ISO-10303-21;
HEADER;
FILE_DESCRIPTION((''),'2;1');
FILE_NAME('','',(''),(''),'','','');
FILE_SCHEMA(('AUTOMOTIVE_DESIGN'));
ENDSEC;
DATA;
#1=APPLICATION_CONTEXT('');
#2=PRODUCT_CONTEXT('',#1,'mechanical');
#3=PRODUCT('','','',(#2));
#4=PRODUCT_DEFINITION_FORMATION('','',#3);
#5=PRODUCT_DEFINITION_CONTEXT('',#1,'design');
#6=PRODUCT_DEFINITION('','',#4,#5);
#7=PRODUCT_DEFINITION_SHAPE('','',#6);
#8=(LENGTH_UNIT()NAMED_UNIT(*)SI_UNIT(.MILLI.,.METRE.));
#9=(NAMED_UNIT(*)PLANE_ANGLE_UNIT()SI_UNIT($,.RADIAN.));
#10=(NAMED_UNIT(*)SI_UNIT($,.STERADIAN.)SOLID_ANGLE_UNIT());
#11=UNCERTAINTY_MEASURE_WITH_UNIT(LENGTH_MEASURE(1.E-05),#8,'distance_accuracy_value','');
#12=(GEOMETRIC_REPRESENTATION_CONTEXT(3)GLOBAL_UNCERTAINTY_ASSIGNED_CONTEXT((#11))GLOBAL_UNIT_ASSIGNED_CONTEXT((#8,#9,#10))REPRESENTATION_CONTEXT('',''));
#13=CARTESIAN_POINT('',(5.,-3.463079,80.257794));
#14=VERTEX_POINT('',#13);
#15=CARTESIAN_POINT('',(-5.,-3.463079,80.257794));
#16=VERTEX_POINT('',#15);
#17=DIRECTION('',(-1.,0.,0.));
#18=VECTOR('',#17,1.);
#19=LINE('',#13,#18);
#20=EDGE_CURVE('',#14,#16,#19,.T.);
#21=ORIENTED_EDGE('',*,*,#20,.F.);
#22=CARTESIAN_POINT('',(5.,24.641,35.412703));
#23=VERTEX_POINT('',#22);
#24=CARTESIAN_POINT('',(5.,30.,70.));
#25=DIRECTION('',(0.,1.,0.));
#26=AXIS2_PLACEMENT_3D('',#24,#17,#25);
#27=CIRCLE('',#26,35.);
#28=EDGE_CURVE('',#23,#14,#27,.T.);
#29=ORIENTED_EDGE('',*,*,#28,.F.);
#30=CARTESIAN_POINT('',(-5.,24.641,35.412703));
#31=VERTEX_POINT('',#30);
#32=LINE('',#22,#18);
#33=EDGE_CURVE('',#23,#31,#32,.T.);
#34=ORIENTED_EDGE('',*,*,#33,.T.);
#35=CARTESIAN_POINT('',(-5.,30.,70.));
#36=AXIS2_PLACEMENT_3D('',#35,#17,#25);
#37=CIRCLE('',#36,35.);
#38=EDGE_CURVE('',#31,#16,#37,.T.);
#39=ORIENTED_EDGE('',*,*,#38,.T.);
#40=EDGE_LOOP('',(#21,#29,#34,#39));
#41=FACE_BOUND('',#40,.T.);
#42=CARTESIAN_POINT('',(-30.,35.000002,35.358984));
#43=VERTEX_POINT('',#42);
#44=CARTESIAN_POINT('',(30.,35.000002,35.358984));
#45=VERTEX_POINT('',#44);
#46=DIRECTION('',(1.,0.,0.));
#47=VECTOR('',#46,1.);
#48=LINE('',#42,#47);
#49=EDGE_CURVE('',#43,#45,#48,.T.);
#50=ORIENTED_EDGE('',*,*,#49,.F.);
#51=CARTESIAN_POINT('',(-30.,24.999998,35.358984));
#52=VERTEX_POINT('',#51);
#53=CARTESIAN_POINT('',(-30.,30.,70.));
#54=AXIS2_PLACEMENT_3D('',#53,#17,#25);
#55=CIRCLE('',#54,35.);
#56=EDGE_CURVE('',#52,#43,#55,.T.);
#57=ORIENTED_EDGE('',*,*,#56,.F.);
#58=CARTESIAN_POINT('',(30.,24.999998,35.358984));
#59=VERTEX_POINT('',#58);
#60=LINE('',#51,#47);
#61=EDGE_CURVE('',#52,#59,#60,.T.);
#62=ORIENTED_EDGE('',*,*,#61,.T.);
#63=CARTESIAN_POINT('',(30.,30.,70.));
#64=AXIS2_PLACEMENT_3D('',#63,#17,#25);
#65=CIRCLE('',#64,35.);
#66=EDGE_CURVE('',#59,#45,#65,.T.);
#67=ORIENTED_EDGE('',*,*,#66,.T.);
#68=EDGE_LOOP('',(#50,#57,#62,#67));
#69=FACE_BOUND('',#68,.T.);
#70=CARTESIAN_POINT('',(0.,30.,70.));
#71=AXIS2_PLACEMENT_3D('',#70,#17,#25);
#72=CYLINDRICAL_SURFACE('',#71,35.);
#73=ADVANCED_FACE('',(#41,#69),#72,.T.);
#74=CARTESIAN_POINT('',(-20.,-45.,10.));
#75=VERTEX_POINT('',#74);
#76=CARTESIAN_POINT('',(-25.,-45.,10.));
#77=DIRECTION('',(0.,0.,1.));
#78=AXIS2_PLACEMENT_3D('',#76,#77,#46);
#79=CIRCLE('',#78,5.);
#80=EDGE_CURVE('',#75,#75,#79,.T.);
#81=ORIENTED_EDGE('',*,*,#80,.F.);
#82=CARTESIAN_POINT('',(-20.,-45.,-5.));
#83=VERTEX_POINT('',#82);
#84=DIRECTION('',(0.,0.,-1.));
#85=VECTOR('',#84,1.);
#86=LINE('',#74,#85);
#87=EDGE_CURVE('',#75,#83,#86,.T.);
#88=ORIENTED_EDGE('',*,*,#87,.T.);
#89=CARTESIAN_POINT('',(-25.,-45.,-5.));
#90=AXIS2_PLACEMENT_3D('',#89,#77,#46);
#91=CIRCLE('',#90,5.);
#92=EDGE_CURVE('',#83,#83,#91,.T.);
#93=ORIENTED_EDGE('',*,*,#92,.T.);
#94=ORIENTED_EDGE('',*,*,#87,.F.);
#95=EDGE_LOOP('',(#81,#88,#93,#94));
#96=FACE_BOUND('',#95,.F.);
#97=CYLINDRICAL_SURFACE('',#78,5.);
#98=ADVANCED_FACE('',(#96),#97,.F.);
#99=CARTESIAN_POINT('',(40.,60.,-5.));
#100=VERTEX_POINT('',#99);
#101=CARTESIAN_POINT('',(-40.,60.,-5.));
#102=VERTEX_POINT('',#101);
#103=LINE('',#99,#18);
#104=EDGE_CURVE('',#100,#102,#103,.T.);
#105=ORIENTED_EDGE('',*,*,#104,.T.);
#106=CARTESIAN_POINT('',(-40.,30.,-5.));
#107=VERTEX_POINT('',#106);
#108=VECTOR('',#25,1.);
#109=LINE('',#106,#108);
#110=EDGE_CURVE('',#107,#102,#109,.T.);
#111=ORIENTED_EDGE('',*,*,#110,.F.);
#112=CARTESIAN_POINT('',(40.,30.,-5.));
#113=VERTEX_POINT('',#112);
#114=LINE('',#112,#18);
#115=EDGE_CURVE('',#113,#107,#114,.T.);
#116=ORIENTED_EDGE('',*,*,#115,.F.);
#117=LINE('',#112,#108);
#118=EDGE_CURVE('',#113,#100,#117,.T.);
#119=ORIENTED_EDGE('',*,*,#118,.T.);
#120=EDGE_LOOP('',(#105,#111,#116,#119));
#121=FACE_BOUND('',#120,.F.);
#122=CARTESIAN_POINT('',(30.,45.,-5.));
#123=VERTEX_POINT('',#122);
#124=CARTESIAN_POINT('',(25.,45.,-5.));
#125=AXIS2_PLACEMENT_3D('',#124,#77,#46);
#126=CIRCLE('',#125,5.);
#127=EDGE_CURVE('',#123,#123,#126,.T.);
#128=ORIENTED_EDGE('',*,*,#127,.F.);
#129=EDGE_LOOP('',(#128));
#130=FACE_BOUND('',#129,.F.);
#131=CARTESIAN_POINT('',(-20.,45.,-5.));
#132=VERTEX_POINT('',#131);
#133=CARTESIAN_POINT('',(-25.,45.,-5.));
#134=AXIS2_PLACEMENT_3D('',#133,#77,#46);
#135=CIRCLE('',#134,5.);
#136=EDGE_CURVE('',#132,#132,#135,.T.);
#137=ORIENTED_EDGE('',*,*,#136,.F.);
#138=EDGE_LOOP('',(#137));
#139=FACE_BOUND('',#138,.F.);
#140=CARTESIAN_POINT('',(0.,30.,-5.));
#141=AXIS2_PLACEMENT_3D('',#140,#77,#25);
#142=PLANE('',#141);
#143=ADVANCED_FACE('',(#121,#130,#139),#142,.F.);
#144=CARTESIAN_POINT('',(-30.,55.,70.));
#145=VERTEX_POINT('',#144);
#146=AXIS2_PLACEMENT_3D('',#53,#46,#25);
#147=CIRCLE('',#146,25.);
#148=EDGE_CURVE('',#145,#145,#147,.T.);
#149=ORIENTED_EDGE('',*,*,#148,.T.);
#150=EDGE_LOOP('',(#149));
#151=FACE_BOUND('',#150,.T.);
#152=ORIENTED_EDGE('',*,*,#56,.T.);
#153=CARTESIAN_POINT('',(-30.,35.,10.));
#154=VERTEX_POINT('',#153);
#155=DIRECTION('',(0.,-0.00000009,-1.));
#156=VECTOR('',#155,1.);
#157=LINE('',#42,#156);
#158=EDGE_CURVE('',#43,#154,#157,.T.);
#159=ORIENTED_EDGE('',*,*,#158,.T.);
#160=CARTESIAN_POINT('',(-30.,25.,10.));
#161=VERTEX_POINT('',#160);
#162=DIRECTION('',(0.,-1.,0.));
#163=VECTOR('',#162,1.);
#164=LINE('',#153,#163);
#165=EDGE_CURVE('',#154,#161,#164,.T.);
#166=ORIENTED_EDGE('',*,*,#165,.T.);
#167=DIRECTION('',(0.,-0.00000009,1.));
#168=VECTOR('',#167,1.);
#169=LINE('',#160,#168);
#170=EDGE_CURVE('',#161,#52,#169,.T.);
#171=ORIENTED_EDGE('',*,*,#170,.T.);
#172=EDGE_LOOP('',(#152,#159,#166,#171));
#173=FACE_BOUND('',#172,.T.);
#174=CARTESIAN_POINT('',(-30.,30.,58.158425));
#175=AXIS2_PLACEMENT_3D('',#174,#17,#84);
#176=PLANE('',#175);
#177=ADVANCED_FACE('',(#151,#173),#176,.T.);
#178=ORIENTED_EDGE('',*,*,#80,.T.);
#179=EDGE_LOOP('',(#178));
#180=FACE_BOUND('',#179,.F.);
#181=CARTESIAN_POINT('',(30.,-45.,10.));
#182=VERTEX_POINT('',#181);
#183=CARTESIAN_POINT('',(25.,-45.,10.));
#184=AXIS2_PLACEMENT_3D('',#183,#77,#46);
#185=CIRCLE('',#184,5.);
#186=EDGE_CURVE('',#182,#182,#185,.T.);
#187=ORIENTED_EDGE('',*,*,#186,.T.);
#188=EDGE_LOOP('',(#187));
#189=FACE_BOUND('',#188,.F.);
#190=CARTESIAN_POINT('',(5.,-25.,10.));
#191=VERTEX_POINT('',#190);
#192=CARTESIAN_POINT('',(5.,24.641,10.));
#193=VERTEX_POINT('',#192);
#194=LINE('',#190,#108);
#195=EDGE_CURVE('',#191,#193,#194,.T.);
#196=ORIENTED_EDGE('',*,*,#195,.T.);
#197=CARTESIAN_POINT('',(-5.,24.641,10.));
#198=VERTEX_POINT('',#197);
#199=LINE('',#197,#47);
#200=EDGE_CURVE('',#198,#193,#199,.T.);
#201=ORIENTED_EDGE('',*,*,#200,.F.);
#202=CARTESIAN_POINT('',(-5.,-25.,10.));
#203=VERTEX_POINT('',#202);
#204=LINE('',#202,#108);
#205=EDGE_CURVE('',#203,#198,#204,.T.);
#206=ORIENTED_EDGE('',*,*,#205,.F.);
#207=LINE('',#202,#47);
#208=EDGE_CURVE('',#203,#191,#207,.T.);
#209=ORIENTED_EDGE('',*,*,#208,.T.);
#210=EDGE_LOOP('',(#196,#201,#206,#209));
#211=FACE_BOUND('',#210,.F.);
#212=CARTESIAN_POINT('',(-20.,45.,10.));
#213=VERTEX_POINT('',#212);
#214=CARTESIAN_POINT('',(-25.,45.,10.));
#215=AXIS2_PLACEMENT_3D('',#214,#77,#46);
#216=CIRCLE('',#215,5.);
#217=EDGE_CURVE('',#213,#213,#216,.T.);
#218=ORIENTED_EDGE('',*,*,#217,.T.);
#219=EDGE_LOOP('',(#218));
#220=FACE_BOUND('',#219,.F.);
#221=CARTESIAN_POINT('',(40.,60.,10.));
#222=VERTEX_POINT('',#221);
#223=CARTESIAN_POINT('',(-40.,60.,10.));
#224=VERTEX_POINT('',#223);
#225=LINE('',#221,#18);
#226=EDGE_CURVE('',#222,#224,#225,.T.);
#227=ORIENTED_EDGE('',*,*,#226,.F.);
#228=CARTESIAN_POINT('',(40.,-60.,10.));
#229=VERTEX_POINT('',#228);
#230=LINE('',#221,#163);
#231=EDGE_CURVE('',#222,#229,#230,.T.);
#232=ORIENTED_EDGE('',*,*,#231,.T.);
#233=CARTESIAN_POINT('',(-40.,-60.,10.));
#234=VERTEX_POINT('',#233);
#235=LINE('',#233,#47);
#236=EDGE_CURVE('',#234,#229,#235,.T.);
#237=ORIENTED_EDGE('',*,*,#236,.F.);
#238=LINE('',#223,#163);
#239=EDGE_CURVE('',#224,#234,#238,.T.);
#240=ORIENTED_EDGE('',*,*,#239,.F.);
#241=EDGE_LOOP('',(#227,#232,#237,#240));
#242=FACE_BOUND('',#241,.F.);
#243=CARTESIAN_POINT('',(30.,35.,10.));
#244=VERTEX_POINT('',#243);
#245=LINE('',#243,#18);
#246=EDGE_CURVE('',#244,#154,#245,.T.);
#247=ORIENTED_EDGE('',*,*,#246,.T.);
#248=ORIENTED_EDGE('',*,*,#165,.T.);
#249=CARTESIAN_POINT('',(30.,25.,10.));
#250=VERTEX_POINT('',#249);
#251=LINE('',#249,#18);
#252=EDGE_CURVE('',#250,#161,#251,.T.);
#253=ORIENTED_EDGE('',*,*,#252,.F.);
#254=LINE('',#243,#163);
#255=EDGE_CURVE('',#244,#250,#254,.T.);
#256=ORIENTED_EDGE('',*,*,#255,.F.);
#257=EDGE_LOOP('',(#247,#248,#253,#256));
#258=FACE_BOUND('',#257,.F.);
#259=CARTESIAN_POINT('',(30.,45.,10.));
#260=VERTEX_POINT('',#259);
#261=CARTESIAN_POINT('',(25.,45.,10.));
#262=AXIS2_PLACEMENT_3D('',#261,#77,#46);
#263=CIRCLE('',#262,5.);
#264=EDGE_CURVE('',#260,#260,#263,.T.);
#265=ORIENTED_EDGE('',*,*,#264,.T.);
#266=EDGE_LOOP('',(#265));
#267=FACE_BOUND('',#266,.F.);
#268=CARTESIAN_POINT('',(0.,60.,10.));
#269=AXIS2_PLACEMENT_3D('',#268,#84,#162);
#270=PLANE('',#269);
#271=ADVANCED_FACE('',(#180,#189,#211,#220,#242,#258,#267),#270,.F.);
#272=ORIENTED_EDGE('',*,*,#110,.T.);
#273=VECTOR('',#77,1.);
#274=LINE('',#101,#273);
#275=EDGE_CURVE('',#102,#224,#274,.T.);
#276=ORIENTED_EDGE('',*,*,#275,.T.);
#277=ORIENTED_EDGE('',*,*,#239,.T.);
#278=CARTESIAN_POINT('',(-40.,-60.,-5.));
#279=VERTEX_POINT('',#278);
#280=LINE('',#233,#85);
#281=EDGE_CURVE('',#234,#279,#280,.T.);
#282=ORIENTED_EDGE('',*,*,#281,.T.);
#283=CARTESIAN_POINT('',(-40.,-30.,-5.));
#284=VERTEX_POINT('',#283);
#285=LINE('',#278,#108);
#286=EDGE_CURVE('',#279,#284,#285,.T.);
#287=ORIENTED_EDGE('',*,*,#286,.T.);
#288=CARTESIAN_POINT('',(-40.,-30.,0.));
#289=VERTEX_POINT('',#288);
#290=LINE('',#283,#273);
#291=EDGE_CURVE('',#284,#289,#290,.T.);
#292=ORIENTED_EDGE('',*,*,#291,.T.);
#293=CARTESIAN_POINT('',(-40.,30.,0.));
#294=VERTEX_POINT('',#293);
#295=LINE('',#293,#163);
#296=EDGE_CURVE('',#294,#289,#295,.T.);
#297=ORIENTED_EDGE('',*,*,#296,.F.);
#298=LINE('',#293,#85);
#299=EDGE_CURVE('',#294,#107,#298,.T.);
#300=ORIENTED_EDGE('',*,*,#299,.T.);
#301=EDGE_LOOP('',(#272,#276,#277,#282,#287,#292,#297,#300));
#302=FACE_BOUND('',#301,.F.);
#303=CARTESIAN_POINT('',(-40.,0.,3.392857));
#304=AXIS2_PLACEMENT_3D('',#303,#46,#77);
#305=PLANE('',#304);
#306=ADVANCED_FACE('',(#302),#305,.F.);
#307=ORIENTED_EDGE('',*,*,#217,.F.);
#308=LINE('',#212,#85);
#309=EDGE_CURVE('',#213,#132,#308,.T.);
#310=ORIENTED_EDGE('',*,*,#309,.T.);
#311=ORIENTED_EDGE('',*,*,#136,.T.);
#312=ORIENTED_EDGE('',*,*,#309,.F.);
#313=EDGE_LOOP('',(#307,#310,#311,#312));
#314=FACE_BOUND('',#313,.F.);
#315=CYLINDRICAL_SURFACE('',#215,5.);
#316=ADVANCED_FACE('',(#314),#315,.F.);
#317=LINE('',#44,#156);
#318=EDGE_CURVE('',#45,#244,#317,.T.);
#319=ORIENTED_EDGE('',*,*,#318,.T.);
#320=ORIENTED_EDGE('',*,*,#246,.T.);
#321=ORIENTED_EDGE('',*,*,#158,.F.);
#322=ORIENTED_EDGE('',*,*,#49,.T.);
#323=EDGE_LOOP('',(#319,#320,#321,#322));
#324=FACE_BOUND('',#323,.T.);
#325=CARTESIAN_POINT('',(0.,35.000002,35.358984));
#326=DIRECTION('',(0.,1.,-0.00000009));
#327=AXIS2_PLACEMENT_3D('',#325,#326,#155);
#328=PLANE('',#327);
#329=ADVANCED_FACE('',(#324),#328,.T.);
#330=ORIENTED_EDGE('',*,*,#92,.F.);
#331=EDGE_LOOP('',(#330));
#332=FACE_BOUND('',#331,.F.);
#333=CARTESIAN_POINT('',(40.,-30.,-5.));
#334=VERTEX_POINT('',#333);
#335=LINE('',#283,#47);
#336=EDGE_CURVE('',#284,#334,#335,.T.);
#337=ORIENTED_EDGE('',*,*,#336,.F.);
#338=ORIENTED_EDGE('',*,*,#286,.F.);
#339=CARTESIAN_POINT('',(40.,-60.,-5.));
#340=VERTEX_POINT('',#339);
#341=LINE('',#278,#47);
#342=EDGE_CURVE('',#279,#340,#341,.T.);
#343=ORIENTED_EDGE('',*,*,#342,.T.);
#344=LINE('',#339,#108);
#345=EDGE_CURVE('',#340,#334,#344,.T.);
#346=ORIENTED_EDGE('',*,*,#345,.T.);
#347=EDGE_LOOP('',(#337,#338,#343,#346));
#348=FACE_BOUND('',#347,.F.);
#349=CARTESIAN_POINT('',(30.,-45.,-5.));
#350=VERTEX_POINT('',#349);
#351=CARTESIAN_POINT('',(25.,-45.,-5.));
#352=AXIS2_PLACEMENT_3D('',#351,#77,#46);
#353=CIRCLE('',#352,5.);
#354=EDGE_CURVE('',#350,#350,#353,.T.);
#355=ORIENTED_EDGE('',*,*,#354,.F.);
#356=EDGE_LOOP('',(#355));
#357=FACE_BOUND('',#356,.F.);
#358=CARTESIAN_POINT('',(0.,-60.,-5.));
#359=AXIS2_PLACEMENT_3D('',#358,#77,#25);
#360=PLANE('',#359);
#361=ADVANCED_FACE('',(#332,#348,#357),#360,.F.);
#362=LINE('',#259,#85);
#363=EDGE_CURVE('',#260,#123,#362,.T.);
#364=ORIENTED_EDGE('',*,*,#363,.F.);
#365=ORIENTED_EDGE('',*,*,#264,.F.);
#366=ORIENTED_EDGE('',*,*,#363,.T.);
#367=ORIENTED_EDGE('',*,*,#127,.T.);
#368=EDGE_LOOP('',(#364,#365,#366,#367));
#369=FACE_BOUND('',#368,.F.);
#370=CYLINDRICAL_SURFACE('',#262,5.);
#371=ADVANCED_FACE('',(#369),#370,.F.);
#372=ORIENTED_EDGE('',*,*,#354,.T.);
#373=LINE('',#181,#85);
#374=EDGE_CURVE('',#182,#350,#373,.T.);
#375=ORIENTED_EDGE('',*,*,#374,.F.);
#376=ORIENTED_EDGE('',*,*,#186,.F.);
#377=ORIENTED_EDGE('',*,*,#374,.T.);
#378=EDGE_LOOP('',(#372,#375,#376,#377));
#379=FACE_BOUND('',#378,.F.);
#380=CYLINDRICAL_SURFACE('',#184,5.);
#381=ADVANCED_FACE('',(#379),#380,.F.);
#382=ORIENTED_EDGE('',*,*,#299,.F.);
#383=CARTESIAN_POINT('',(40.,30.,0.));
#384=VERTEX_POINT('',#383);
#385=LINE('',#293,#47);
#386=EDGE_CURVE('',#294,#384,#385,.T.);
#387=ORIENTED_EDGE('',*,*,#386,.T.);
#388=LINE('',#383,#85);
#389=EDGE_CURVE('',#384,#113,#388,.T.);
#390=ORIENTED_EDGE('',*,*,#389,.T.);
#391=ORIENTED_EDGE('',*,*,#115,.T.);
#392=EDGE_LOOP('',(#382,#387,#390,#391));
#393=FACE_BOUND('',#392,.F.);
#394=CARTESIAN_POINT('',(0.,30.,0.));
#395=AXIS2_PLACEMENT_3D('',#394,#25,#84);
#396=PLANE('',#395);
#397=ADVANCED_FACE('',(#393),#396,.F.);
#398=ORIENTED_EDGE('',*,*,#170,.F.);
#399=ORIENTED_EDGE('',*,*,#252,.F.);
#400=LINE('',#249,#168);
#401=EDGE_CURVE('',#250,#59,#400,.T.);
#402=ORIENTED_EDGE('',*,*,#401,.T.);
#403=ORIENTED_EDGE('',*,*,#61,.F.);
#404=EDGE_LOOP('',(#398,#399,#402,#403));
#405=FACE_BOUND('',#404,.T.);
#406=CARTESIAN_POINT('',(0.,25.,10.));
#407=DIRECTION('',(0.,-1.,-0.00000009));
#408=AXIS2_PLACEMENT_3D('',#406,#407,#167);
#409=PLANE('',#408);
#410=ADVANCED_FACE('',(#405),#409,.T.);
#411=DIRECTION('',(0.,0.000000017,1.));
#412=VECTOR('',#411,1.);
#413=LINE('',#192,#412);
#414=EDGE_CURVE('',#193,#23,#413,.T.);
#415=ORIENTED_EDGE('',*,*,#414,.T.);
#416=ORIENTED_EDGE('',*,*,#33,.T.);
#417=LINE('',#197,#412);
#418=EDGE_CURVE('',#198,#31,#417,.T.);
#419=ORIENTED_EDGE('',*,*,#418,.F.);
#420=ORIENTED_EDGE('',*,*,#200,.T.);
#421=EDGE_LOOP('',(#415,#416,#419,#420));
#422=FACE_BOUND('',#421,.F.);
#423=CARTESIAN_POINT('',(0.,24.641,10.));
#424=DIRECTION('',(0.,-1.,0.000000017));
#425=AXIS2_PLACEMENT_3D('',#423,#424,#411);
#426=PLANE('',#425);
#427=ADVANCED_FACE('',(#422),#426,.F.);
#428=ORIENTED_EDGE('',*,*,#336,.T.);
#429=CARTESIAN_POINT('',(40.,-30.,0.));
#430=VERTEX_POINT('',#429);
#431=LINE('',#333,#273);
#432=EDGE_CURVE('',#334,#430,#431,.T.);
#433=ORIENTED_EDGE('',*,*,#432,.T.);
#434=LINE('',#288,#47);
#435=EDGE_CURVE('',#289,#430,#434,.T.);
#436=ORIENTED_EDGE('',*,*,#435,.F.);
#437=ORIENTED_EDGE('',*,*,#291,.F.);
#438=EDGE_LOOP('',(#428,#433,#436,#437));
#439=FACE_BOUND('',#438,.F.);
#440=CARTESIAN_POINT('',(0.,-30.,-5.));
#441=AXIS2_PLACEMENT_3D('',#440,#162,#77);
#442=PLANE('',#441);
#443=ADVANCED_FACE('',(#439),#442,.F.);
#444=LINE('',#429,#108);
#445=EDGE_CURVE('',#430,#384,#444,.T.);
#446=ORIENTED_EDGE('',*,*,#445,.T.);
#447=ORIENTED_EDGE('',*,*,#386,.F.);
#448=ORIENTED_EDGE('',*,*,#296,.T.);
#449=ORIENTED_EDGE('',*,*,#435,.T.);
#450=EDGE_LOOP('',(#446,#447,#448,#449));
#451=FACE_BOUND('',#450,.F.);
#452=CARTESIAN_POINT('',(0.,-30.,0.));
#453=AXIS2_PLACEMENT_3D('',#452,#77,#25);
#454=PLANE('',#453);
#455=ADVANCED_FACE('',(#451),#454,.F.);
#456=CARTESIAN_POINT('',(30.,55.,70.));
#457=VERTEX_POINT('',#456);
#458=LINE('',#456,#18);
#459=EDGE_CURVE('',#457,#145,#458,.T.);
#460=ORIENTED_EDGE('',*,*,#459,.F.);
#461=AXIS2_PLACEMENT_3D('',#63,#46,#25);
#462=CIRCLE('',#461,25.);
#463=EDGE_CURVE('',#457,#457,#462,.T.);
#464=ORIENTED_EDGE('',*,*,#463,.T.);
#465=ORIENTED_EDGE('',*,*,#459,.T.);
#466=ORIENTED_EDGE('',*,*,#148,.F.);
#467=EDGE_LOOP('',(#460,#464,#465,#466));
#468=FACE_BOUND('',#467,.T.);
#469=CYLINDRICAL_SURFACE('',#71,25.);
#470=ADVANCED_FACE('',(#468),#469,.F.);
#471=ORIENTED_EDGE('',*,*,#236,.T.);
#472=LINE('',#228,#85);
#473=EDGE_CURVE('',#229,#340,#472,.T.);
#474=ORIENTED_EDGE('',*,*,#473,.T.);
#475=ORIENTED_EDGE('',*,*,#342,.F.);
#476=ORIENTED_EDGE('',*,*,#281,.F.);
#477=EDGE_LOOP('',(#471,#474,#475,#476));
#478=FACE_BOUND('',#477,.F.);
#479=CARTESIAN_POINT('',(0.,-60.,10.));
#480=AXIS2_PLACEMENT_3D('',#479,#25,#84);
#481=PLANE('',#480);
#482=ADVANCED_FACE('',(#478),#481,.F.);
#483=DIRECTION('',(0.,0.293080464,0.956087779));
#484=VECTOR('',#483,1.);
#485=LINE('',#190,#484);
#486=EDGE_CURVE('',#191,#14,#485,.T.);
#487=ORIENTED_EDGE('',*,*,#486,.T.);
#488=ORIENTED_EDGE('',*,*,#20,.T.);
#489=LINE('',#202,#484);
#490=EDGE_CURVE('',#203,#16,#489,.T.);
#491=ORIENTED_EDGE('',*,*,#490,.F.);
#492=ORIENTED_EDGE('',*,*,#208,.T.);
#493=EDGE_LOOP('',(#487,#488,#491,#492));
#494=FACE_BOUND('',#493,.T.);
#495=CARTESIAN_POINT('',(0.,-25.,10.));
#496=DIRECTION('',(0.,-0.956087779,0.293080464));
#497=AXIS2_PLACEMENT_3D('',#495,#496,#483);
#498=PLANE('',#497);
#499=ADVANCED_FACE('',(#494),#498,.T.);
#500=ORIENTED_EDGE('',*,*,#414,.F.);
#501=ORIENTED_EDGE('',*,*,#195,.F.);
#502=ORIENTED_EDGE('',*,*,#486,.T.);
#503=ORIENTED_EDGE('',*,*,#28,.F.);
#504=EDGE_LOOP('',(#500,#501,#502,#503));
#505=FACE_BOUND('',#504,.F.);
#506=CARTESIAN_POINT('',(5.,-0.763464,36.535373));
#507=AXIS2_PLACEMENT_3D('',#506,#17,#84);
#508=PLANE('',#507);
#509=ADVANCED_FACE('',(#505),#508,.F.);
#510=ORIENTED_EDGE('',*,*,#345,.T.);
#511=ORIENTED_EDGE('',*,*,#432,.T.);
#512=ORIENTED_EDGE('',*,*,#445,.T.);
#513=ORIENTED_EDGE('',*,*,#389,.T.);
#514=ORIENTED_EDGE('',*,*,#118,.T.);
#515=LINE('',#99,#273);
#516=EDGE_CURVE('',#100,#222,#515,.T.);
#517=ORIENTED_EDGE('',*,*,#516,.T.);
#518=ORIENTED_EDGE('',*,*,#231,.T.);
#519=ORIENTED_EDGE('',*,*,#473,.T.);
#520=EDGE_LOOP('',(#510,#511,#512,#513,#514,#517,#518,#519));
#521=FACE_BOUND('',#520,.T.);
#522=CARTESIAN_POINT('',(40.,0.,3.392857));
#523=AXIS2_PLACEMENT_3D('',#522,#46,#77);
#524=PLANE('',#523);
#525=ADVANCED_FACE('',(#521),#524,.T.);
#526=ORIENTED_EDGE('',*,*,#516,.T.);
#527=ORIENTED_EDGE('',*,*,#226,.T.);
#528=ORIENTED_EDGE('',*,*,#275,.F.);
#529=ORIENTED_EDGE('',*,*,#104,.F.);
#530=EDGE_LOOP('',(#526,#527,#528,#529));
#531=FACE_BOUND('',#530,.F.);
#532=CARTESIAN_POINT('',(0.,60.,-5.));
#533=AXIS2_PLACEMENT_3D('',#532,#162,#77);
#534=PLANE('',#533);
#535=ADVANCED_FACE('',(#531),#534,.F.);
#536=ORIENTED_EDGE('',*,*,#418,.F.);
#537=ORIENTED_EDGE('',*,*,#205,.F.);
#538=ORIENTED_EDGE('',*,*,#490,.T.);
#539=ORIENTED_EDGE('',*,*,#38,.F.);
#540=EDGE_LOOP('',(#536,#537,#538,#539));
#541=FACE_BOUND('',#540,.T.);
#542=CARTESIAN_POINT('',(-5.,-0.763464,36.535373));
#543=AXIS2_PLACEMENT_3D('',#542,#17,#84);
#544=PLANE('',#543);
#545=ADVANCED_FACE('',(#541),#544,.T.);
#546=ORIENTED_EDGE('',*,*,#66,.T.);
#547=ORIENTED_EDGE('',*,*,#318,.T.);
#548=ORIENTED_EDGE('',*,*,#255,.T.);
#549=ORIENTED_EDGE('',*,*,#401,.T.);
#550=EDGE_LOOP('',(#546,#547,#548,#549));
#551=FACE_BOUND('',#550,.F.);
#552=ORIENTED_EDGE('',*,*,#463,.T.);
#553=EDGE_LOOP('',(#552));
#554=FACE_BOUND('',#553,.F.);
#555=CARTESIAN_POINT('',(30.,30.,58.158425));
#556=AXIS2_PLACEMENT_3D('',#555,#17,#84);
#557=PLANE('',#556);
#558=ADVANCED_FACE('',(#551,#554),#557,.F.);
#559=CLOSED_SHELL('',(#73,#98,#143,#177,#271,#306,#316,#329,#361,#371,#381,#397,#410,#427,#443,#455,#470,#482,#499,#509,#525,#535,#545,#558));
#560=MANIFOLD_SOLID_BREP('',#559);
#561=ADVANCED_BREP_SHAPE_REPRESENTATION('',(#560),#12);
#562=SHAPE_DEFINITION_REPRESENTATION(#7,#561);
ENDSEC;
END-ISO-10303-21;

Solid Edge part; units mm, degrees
sketch "Sketch1" plane through (0, 0, 0) normal (1, 0, 0) x (0, 1, 0)
  line L0 (60, 10) -> (-60, 10)
  line L1 (-60, 10) -> (-60, -5)
  line L2 (-60, -5) -> (-30, -5)
  line L3 (-30, -5) -> (-30, 0)
  line L4 (-30, 0) -> (0, 0)
  line L5 (0, 0) -> (30, 0)
  line L6 (30, 0) -> (30, -5)
  line L7 (30, -5) -> (60, -5)
  line L8 (60, -5) -> (60, 10)
extrude "Protrusion1" add sketch "Sketch1" along normal mid plane 80
sketch "Sketch2" plane through (0, 0, 10) normal (0, 0, 1) x (1, 0, 0)
  circle A0 centre (-25, -45) radius 5
  circle A1 centre (25, -45) radius 5
  circle A2 centre (25, 45) radius 5
  circle A3 centre (-25, 45) radius 5
extrude "ExtrudedCutout_1" cut sketch "Sketch2" against normal blind 41.1924
sketch "Sketch3" plane through (0, 0, 0) normal (1, 0, 0) x (0, 1, 0)
  line L0 (35, 35.359) -> (35, 10)
  line L1 (35, 10) -> (25, 10)
  line L2 (25, 10) -> (25, 35.359)
  arc A0 (25, 35.359) -> (35, 35.359) centre (30, 70) cw
  circle A1 centre (30, 70) radius 25
extrude "ExtrudedProtrusion_2" add sketch "Sketch3" along normal mid plane 60
sketch "Sketch4" plane through (0, 0, 0) normal (1, 0, 0) x (0, 1, 0)
  line L0 (-25, 10) -> (-3.4631, 80.2578)
  line L1 (24.641, 10) -> (24.641, 35.4127)
  line L2 (-25, 10) -> (24.641, 10)
  arc A0 (24.641, 35.4127) -> (-3.4631, 80.2578) centre (30, 70) cw
extrude "ExtrudedProtrusion_3" add sketch "Sketch4" along normal mid plane 10
